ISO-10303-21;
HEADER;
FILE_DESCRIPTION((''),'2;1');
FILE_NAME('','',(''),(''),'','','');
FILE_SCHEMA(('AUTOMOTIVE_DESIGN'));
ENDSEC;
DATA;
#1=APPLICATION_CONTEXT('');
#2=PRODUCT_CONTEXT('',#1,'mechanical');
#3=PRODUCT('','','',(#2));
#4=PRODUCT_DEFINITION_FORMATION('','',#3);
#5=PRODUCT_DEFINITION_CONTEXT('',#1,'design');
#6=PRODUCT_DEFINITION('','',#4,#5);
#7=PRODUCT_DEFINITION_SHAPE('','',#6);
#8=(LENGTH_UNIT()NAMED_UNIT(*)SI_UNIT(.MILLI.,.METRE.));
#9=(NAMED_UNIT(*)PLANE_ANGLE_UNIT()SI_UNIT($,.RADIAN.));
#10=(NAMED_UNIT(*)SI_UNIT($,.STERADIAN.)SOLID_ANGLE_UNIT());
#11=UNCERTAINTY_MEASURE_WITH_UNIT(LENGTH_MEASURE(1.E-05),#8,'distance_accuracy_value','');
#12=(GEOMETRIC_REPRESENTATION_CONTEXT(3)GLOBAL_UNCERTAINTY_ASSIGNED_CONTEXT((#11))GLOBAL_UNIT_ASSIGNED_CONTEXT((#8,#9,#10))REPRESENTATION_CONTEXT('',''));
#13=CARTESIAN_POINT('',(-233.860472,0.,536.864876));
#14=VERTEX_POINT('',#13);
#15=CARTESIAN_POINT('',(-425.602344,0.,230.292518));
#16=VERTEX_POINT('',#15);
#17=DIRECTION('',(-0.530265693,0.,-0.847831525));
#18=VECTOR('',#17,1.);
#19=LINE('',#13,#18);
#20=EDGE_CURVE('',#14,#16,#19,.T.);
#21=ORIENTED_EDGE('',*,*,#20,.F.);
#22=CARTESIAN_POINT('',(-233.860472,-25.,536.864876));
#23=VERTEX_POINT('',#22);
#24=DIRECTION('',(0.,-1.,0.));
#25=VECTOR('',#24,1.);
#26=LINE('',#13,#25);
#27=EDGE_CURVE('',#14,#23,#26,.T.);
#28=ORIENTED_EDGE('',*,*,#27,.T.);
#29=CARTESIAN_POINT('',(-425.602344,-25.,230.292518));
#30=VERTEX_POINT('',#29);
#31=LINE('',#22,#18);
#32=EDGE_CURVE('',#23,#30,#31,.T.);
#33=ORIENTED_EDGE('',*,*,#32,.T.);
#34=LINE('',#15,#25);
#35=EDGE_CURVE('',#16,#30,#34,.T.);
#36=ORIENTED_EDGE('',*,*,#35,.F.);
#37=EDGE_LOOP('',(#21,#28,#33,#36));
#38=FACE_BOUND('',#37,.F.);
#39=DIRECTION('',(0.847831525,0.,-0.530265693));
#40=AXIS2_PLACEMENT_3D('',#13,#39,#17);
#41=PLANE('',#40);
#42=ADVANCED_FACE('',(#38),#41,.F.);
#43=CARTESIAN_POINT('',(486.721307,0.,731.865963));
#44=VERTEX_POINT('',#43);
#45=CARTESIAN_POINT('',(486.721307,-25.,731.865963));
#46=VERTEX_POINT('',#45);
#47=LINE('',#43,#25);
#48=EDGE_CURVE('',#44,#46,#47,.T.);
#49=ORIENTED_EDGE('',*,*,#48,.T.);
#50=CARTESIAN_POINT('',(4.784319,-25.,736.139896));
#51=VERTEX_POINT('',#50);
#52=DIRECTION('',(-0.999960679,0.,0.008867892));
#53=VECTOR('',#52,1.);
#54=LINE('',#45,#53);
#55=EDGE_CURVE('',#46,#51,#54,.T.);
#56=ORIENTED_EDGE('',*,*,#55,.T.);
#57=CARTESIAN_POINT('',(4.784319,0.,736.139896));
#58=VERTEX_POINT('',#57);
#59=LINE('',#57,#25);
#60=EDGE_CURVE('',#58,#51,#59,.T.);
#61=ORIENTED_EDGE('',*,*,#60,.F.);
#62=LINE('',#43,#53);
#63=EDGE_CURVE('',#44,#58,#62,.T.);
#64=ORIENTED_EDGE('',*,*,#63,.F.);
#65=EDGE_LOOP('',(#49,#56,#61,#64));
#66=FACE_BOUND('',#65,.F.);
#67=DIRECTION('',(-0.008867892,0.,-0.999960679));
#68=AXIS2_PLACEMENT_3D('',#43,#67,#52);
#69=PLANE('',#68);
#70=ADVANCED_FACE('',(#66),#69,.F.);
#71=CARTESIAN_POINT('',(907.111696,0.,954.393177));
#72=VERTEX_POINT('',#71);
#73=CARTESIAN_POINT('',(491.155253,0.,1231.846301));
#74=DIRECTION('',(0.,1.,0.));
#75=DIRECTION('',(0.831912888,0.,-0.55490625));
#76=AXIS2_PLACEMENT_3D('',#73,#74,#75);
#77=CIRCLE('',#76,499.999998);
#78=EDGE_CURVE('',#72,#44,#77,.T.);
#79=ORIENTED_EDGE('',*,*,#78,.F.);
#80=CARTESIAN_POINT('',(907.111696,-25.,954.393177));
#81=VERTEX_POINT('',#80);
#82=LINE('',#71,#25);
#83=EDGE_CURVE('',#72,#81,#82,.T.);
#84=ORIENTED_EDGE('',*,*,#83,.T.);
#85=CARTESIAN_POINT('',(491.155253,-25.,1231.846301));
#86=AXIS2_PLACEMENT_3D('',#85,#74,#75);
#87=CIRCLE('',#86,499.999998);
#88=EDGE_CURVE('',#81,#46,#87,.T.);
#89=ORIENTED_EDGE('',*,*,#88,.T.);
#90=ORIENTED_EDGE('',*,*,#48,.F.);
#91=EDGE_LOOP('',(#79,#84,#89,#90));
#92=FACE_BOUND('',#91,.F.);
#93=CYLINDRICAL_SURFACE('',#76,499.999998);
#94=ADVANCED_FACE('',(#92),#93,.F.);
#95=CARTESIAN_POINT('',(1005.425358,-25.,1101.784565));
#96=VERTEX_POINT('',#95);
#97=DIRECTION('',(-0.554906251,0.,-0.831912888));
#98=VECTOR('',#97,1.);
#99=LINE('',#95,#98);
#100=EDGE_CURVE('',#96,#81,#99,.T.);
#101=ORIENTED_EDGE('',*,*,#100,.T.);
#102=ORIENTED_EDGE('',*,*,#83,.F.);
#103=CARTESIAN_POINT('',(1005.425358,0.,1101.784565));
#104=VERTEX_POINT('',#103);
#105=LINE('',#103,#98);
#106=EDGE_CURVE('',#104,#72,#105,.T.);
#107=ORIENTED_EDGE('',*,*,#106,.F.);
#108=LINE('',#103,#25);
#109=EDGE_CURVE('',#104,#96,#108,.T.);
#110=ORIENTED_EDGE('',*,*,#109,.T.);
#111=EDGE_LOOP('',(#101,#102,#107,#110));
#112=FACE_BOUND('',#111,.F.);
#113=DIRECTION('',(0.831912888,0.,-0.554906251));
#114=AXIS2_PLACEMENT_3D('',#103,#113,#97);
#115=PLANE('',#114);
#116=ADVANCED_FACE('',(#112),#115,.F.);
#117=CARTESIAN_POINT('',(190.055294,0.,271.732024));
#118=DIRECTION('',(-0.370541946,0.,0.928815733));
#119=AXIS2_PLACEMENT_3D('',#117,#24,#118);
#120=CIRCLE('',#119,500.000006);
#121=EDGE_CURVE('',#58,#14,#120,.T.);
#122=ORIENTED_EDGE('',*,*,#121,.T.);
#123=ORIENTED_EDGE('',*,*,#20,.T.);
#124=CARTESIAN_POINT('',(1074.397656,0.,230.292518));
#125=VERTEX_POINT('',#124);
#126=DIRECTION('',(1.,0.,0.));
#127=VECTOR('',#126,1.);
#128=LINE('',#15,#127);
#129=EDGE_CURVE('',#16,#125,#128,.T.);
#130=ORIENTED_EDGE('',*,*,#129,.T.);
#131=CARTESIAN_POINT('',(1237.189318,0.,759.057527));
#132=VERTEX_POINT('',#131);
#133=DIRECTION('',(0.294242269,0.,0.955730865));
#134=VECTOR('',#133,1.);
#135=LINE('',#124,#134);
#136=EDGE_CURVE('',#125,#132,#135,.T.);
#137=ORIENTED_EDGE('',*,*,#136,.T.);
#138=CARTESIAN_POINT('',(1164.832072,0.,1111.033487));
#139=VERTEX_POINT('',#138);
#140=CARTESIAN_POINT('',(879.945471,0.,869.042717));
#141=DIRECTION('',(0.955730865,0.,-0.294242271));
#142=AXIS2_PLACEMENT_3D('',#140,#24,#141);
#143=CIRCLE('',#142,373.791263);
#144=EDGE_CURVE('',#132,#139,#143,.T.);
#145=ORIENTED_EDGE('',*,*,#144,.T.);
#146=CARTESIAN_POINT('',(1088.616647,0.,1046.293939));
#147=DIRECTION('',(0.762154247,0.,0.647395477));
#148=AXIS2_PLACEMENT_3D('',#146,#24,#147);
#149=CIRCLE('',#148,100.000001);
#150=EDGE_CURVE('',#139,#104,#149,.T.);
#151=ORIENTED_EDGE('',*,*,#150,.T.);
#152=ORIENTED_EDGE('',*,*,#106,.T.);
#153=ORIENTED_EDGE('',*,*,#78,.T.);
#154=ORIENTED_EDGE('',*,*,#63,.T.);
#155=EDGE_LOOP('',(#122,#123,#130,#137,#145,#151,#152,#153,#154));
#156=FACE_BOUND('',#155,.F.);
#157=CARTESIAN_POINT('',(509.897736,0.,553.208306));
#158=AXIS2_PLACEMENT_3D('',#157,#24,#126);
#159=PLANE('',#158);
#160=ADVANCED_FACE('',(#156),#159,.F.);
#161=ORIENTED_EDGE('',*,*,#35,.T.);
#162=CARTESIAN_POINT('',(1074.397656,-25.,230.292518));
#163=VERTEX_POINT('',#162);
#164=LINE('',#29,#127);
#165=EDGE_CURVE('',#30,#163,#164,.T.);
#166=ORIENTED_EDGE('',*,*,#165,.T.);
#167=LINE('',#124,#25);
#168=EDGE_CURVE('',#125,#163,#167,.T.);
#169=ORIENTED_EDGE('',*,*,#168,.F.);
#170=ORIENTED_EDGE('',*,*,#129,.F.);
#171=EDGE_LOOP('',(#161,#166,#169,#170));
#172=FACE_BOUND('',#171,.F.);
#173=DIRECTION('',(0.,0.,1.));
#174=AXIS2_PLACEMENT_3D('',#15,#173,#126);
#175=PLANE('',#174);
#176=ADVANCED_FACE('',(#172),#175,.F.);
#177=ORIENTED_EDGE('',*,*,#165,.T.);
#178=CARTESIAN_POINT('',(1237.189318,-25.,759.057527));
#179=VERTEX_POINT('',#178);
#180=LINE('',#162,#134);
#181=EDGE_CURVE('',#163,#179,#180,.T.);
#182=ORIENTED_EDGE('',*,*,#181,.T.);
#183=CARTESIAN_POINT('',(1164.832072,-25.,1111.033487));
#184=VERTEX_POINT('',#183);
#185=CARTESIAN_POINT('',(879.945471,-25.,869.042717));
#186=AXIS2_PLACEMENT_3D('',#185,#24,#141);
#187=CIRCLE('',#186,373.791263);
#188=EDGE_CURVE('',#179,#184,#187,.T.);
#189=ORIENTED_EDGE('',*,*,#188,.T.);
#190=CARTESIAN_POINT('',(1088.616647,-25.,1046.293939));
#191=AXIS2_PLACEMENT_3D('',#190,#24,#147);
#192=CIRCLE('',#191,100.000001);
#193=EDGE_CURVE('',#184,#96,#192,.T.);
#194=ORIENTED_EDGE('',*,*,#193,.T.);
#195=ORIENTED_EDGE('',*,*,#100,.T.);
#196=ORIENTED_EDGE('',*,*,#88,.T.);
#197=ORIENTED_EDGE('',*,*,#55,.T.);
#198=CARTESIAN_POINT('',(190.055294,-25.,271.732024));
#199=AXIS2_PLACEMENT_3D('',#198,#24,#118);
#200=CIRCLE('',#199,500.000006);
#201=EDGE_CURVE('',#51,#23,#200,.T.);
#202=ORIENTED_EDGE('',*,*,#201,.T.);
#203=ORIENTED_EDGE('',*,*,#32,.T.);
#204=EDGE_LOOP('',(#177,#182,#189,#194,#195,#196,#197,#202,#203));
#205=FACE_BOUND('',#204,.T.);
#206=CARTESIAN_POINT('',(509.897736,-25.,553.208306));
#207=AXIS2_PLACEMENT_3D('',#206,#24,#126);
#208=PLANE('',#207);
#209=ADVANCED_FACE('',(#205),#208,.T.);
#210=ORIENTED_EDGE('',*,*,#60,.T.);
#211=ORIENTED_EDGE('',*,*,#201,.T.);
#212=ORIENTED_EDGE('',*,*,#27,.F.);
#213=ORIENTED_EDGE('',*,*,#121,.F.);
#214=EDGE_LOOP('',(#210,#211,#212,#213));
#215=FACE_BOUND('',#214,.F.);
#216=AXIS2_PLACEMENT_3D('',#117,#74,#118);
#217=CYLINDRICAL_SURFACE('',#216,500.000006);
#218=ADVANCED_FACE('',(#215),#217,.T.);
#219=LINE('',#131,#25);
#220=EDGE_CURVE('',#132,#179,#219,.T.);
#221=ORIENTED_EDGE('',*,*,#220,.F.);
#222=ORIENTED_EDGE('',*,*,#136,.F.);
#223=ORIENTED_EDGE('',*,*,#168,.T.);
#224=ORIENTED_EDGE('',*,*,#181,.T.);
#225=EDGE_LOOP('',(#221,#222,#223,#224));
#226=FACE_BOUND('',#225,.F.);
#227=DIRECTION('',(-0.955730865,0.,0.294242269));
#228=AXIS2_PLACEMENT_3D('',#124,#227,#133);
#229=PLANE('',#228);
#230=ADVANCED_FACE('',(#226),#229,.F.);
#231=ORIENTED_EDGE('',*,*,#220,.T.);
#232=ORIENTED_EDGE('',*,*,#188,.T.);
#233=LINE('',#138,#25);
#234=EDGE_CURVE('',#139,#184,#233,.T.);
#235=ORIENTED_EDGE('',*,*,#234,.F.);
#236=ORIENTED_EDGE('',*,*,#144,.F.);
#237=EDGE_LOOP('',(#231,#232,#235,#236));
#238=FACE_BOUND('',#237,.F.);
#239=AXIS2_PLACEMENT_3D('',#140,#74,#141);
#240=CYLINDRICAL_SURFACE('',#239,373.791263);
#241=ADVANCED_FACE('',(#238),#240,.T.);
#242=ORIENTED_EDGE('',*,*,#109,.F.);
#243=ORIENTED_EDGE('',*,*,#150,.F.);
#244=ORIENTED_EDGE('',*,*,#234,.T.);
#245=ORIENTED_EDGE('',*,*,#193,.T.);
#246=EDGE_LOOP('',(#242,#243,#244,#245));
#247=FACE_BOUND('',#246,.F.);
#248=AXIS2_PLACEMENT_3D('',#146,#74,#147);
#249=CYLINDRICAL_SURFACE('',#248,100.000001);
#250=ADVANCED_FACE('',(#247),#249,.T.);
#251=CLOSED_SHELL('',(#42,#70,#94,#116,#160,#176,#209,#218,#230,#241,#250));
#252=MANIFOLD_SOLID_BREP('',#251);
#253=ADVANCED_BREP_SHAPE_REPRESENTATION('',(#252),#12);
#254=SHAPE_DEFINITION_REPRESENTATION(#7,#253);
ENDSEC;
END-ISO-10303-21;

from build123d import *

# Parameters (mm, degrees)
F1_DEPTH = 25


with BuildPart() as f1:
    # F0 (on Front) → F1 (new body)
    with BuildSketch(Plane.XZ):
        with BuildLine():
            Line((-233.860472, 536.864876), (-425.602344, 230.292518))
            Line((-425.602344, 230.292518), (1074.397656, 230.292518))
            Line((1074.397656, 230.292518), (1237.189318, 759.057527))
            ThreePointArc((1237.189318, 759.057527), (1246.08021, 944.310646), (1164.832072, 1111.033487))
            ThreePointArc((1164.832072, 1111.033487), (1082.824297, 1146.126042), (1005.425358, 1101.784565))
            Line((1005.425358, 1101.784565), (907.111696, 954.393177))
            ThreePointArc((907.111696, 954.393177), (725.072507, 789.93826), (486.721307, 731.865963))
            Line((486.721307, 731.865963), (4.784319, 736.139896))
            ThreePointArc((4.784319, 736.139896), (-130.420532, 655.522658), (-233.860472, 536.864876))
        make_face()
    extrude(amount=F1_DEPTH)


solid = f1.part
